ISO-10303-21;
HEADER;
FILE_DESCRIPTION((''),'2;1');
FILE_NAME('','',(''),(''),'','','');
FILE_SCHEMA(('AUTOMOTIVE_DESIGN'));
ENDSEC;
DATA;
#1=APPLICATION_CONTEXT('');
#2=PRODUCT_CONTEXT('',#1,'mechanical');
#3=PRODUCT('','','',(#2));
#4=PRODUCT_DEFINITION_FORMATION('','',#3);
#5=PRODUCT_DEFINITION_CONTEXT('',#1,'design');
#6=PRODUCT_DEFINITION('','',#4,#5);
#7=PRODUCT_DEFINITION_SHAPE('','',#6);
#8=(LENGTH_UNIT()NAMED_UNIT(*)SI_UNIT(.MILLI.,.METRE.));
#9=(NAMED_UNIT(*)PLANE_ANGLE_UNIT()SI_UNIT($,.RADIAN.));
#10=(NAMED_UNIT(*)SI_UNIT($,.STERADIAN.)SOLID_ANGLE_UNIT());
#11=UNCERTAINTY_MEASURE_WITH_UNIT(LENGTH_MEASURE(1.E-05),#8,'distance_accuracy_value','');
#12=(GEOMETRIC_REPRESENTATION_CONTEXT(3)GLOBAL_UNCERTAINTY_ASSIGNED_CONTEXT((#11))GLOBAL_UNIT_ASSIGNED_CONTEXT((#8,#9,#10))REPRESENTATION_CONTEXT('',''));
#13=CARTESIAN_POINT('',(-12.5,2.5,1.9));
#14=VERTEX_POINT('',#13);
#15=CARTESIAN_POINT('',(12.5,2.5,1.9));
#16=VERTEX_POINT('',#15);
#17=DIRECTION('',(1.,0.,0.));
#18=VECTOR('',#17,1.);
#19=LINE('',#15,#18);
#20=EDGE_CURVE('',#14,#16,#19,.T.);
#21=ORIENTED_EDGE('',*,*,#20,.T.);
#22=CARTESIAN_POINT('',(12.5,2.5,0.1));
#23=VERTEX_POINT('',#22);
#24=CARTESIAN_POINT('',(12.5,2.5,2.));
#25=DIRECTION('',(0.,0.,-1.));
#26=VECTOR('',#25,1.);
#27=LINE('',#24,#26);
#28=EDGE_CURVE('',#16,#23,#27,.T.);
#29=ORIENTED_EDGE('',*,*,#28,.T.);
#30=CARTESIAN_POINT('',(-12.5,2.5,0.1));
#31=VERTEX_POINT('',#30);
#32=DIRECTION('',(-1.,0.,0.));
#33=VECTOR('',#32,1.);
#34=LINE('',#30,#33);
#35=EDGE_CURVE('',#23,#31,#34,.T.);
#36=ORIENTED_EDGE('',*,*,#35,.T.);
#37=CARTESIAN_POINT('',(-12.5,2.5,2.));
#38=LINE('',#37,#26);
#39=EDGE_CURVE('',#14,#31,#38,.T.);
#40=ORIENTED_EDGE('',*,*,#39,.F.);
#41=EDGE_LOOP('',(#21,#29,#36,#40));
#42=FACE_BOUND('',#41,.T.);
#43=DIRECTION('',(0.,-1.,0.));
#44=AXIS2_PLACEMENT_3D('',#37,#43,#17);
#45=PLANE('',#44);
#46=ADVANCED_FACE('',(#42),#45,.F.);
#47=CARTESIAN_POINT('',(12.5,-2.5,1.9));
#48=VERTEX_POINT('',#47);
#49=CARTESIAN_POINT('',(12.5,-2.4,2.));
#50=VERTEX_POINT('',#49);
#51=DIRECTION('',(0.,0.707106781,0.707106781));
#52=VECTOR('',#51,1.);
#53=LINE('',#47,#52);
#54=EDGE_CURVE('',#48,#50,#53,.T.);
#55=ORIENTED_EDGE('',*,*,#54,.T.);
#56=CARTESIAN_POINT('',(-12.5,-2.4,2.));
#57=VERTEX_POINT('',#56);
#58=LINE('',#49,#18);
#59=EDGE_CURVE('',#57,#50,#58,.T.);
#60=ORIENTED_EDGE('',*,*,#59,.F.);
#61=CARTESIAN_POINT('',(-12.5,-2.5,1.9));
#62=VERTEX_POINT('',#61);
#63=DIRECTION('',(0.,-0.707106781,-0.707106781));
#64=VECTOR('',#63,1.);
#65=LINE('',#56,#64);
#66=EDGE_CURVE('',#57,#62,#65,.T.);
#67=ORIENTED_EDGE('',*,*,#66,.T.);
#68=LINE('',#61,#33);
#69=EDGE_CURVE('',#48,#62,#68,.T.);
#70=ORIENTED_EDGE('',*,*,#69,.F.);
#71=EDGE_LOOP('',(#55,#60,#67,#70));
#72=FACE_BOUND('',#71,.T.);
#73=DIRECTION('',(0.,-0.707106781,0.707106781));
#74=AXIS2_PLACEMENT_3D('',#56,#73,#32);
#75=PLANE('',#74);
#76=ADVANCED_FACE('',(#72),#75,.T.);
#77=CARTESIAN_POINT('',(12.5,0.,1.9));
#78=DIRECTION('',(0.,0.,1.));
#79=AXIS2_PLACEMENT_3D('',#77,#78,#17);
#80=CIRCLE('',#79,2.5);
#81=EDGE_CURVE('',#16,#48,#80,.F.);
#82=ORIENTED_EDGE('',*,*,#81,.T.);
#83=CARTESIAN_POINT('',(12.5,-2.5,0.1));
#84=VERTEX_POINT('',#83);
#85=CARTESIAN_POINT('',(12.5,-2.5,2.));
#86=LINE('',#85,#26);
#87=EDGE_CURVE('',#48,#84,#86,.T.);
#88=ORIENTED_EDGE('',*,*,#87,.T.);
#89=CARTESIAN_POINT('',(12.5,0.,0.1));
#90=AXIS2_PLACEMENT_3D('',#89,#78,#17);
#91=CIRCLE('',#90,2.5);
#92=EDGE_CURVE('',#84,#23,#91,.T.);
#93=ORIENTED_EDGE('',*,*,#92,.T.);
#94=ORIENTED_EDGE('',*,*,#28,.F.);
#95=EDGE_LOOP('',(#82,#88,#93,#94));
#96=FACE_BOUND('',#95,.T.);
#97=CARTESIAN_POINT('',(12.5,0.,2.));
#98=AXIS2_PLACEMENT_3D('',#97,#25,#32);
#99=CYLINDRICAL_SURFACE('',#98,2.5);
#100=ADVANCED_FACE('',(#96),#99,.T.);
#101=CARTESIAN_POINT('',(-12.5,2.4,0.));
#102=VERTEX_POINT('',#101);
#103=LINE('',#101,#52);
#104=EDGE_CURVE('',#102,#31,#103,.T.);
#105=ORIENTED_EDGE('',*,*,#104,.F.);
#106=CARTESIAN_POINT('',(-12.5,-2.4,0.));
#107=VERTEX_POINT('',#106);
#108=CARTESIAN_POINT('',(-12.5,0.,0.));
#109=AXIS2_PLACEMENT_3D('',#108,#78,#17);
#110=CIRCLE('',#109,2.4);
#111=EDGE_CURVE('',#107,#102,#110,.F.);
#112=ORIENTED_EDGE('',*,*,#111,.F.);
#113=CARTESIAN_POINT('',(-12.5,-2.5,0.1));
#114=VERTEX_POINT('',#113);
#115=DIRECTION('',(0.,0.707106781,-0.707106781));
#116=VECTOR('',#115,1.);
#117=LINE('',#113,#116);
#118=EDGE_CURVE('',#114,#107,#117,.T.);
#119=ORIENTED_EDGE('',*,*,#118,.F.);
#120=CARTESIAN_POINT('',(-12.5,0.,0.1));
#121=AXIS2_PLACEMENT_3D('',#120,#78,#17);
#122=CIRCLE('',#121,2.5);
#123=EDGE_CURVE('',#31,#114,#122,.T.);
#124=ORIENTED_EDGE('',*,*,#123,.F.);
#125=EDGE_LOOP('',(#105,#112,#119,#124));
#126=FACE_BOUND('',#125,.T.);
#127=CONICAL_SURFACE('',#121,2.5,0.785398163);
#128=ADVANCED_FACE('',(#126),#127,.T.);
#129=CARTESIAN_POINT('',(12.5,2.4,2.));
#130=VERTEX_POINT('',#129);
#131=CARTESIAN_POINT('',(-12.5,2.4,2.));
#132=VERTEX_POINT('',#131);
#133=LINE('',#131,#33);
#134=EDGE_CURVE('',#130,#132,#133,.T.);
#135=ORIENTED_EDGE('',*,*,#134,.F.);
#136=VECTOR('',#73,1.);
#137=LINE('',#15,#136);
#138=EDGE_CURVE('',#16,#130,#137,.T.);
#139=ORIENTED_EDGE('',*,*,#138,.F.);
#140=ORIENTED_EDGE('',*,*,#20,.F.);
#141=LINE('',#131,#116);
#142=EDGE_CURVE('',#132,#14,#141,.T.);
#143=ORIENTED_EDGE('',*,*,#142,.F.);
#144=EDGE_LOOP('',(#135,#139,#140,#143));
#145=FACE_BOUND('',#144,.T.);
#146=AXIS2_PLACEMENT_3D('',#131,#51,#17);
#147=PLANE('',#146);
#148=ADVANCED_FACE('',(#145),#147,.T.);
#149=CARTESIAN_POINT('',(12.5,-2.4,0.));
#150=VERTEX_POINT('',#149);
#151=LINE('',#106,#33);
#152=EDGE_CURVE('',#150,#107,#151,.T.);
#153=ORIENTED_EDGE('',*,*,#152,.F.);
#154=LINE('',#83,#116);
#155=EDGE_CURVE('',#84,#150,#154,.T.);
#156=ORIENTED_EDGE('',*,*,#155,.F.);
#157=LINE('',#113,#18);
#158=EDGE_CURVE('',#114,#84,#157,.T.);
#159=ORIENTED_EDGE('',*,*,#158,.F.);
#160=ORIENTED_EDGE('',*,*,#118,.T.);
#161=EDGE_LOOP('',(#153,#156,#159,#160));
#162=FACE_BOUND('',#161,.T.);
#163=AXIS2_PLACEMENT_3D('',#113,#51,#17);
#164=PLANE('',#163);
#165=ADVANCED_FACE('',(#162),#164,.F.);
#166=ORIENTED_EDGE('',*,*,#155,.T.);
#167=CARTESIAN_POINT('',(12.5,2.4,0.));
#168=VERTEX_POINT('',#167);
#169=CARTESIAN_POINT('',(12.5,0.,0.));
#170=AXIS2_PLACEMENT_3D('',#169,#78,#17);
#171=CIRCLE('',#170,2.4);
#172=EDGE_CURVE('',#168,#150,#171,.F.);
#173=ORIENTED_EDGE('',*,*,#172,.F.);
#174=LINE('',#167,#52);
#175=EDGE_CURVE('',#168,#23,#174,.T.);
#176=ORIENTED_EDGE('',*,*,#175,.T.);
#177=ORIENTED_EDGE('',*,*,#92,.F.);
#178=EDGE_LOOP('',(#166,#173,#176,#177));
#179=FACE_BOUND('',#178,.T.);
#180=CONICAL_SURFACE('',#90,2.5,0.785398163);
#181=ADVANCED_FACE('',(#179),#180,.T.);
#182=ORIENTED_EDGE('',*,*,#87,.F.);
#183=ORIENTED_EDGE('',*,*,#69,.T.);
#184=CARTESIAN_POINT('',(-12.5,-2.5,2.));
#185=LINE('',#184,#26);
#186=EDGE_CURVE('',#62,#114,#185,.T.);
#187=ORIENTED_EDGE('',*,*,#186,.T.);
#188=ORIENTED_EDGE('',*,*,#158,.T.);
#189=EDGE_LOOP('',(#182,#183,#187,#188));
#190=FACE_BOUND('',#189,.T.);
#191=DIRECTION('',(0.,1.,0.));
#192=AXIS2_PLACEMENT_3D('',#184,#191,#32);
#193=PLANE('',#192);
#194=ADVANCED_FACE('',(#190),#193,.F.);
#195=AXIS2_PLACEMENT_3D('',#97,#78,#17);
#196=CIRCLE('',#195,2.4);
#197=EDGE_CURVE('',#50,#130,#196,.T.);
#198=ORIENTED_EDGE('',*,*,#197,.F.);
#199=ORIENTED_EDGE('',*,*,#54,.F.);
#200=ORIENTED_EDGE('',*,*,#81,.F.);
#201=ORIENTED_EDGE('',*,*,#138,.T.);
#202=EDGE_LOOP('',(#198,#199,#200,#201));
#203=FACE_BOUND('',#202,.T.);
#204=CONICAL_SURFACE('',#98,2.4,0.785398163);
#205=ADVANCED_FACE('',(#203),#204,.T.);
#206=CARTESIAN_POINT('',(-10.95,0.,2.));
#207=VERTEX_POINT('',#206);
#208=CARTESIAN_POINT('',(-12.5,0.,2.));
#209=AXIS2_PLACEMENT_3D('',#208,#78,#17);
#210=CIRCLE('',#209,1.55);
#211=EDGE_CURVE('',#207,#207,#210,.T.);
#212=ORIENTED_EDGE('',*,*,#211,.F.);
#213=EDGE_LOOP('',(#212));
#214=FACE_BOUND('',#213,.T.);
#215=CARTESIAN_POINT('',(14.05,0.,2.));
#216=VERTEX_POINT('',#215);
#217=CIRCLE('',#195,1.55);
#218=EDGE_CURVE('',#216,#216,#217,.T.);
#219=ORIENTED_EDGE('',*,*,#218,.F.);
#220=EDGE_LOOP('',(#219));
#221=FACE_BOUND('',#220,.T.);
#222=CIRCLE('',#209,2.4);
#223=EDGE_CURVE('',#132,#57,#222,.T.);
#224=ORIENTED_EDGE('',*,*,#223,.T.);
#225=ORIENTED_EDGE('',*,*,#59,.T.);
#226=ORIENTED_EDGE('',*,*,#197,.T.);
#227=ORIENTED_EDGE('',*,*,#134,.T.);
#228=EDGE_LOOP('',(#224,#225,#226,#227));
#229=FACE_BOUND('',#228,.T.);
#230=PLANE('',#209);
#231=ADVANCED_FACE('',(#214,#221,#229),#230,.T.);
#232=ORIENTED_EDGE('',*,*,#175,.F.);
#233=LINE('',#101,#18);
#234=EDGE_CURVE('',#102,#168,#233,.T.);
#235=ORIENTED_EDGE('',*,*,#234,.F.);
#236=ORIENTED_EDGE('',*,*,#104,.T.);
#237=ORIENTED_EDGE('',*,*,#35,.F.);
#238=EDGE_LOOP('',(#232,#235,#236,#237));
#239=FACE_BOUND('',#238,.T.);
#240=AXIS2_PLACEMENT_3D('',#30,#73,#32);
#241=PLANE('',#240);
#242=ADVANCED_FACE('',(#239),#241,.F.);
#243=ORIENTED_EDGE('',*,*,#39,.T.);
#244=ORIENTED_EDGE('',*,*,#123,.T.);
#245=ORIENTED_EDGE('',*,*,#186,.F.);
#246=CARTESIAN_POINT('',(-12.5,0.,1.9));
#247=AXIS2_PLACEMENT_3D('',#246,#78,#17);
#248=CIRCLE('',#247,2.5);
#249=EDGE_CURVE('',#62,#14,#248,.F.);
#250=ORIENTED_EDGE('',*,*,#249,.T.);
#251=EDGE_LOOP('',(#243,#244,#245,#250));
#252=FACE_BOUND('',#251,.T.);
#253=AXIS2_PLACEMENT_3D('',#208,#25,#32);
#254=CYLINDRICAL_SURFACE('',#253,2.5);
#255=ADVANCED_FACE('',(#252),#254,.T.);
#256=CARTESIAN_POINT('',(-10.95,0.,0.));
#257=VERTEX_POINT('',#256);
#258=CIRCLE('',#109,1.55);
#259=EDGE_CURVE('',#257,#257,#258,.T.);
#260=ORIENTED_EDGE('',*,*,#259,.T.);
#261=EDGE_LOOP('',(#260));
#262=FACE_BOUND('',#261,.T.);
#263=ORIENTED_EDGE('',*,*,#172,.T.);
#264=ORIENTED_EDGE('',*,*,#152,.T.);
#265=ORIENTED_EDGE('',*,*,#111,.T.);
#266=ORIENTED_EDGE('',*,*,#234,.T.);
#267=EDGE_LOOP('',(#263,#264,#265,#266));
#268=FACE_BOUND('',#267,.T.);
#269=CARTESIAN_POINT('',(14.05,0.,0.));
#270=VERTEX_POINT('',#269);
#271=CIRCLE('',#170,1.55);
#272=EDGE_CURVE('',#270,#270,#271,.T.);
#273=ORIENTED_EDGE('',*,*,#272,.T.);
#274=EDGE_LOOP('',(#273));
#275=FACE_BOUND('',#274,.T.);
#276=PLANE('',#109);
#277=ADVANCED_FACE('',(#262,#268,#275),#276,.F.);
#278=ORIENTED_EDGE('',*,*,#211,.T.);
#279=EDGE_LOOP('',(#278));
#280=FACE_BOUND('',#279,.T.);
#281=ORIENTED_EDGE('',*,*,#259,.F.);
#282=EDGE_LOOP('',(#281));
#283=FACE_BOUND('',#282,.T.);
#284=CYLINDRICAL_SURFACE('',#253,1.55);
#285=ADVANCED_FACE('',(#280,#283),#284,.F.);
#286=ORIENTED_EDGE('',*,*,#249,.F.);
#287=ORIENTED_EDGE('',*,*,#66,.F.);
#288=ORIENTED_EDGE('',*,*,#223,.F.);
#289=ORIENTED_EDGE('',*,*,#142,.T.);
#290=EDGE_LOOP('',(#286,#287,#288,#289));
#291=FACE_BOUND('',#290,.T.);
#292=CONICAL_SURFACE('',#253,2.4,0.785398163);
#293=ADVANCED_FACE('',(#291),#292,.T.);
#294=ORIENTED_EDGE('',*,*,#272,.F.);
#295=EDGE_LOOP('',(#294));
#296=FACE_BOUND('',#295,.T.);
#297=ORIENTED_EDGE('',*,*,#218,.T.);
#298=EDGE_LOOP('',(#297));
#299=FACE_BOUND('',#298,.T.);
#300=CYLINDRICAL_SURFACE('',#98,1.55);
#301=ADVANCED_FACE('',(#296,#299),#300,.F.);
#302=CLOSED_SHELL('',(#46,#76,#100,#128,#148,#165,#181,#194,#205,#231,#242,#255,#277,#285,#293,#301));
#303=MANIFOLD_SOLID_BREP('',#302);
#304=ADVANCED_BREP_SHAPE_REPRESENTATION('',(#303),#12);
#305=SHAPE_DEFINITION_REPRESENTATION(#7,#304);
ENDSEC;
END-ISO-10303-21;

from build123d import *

# Parameters (mm, degrees)
SKETCH2_R           = 1.55
BOSS_EXTRUDE1_DEPTH = 2
CHAMFER1_SIZE       = 0.1


with BuildPart() as part:
    # Sketch2 → Boss-Extrude1 (new body)
    with BuildSketch(Plane.XY):
        with BuildLine():
            Line((-12.5, 2.5), (12.5, 2.5))
            ThreePointArc((12.5, 2.5), (15, 0), (12.5, -2.5))
            Line((12.5, -2.5), (-12.5, -2.5))
            ThreePointArc((-12.5, -2.5), (-15, 0), (-12.5, 2.5))
        make_face()
        with Locations((-12.5, 0)):
            Circle(SKETCH2_R, mode=Mode.SUBTRACT)
        with Locations((12.5, 0)):
            Circle(SKETCH2_R, mode=Mode.SUBTRACT)
    extrude(amount=BOSS_EXTRUDE1_DEPTH)

    # Chamfer1
    chamfer1_edges = [part.edges().sort_by_distance(p)[0] for p in [
        (15, 0, 2),
        (0, 2.5, 2),
        (-15, 0, 2),
        (0, 2.5, 0),
        (15, 0, 0),
        (0, -2.5, 0),
        (-15, 0, 0),
        (0, -2.5, 2),
    ]]
    chamfer(chamfer1_edges, length=CHAMFER1_SIZE)


solid = part.part
